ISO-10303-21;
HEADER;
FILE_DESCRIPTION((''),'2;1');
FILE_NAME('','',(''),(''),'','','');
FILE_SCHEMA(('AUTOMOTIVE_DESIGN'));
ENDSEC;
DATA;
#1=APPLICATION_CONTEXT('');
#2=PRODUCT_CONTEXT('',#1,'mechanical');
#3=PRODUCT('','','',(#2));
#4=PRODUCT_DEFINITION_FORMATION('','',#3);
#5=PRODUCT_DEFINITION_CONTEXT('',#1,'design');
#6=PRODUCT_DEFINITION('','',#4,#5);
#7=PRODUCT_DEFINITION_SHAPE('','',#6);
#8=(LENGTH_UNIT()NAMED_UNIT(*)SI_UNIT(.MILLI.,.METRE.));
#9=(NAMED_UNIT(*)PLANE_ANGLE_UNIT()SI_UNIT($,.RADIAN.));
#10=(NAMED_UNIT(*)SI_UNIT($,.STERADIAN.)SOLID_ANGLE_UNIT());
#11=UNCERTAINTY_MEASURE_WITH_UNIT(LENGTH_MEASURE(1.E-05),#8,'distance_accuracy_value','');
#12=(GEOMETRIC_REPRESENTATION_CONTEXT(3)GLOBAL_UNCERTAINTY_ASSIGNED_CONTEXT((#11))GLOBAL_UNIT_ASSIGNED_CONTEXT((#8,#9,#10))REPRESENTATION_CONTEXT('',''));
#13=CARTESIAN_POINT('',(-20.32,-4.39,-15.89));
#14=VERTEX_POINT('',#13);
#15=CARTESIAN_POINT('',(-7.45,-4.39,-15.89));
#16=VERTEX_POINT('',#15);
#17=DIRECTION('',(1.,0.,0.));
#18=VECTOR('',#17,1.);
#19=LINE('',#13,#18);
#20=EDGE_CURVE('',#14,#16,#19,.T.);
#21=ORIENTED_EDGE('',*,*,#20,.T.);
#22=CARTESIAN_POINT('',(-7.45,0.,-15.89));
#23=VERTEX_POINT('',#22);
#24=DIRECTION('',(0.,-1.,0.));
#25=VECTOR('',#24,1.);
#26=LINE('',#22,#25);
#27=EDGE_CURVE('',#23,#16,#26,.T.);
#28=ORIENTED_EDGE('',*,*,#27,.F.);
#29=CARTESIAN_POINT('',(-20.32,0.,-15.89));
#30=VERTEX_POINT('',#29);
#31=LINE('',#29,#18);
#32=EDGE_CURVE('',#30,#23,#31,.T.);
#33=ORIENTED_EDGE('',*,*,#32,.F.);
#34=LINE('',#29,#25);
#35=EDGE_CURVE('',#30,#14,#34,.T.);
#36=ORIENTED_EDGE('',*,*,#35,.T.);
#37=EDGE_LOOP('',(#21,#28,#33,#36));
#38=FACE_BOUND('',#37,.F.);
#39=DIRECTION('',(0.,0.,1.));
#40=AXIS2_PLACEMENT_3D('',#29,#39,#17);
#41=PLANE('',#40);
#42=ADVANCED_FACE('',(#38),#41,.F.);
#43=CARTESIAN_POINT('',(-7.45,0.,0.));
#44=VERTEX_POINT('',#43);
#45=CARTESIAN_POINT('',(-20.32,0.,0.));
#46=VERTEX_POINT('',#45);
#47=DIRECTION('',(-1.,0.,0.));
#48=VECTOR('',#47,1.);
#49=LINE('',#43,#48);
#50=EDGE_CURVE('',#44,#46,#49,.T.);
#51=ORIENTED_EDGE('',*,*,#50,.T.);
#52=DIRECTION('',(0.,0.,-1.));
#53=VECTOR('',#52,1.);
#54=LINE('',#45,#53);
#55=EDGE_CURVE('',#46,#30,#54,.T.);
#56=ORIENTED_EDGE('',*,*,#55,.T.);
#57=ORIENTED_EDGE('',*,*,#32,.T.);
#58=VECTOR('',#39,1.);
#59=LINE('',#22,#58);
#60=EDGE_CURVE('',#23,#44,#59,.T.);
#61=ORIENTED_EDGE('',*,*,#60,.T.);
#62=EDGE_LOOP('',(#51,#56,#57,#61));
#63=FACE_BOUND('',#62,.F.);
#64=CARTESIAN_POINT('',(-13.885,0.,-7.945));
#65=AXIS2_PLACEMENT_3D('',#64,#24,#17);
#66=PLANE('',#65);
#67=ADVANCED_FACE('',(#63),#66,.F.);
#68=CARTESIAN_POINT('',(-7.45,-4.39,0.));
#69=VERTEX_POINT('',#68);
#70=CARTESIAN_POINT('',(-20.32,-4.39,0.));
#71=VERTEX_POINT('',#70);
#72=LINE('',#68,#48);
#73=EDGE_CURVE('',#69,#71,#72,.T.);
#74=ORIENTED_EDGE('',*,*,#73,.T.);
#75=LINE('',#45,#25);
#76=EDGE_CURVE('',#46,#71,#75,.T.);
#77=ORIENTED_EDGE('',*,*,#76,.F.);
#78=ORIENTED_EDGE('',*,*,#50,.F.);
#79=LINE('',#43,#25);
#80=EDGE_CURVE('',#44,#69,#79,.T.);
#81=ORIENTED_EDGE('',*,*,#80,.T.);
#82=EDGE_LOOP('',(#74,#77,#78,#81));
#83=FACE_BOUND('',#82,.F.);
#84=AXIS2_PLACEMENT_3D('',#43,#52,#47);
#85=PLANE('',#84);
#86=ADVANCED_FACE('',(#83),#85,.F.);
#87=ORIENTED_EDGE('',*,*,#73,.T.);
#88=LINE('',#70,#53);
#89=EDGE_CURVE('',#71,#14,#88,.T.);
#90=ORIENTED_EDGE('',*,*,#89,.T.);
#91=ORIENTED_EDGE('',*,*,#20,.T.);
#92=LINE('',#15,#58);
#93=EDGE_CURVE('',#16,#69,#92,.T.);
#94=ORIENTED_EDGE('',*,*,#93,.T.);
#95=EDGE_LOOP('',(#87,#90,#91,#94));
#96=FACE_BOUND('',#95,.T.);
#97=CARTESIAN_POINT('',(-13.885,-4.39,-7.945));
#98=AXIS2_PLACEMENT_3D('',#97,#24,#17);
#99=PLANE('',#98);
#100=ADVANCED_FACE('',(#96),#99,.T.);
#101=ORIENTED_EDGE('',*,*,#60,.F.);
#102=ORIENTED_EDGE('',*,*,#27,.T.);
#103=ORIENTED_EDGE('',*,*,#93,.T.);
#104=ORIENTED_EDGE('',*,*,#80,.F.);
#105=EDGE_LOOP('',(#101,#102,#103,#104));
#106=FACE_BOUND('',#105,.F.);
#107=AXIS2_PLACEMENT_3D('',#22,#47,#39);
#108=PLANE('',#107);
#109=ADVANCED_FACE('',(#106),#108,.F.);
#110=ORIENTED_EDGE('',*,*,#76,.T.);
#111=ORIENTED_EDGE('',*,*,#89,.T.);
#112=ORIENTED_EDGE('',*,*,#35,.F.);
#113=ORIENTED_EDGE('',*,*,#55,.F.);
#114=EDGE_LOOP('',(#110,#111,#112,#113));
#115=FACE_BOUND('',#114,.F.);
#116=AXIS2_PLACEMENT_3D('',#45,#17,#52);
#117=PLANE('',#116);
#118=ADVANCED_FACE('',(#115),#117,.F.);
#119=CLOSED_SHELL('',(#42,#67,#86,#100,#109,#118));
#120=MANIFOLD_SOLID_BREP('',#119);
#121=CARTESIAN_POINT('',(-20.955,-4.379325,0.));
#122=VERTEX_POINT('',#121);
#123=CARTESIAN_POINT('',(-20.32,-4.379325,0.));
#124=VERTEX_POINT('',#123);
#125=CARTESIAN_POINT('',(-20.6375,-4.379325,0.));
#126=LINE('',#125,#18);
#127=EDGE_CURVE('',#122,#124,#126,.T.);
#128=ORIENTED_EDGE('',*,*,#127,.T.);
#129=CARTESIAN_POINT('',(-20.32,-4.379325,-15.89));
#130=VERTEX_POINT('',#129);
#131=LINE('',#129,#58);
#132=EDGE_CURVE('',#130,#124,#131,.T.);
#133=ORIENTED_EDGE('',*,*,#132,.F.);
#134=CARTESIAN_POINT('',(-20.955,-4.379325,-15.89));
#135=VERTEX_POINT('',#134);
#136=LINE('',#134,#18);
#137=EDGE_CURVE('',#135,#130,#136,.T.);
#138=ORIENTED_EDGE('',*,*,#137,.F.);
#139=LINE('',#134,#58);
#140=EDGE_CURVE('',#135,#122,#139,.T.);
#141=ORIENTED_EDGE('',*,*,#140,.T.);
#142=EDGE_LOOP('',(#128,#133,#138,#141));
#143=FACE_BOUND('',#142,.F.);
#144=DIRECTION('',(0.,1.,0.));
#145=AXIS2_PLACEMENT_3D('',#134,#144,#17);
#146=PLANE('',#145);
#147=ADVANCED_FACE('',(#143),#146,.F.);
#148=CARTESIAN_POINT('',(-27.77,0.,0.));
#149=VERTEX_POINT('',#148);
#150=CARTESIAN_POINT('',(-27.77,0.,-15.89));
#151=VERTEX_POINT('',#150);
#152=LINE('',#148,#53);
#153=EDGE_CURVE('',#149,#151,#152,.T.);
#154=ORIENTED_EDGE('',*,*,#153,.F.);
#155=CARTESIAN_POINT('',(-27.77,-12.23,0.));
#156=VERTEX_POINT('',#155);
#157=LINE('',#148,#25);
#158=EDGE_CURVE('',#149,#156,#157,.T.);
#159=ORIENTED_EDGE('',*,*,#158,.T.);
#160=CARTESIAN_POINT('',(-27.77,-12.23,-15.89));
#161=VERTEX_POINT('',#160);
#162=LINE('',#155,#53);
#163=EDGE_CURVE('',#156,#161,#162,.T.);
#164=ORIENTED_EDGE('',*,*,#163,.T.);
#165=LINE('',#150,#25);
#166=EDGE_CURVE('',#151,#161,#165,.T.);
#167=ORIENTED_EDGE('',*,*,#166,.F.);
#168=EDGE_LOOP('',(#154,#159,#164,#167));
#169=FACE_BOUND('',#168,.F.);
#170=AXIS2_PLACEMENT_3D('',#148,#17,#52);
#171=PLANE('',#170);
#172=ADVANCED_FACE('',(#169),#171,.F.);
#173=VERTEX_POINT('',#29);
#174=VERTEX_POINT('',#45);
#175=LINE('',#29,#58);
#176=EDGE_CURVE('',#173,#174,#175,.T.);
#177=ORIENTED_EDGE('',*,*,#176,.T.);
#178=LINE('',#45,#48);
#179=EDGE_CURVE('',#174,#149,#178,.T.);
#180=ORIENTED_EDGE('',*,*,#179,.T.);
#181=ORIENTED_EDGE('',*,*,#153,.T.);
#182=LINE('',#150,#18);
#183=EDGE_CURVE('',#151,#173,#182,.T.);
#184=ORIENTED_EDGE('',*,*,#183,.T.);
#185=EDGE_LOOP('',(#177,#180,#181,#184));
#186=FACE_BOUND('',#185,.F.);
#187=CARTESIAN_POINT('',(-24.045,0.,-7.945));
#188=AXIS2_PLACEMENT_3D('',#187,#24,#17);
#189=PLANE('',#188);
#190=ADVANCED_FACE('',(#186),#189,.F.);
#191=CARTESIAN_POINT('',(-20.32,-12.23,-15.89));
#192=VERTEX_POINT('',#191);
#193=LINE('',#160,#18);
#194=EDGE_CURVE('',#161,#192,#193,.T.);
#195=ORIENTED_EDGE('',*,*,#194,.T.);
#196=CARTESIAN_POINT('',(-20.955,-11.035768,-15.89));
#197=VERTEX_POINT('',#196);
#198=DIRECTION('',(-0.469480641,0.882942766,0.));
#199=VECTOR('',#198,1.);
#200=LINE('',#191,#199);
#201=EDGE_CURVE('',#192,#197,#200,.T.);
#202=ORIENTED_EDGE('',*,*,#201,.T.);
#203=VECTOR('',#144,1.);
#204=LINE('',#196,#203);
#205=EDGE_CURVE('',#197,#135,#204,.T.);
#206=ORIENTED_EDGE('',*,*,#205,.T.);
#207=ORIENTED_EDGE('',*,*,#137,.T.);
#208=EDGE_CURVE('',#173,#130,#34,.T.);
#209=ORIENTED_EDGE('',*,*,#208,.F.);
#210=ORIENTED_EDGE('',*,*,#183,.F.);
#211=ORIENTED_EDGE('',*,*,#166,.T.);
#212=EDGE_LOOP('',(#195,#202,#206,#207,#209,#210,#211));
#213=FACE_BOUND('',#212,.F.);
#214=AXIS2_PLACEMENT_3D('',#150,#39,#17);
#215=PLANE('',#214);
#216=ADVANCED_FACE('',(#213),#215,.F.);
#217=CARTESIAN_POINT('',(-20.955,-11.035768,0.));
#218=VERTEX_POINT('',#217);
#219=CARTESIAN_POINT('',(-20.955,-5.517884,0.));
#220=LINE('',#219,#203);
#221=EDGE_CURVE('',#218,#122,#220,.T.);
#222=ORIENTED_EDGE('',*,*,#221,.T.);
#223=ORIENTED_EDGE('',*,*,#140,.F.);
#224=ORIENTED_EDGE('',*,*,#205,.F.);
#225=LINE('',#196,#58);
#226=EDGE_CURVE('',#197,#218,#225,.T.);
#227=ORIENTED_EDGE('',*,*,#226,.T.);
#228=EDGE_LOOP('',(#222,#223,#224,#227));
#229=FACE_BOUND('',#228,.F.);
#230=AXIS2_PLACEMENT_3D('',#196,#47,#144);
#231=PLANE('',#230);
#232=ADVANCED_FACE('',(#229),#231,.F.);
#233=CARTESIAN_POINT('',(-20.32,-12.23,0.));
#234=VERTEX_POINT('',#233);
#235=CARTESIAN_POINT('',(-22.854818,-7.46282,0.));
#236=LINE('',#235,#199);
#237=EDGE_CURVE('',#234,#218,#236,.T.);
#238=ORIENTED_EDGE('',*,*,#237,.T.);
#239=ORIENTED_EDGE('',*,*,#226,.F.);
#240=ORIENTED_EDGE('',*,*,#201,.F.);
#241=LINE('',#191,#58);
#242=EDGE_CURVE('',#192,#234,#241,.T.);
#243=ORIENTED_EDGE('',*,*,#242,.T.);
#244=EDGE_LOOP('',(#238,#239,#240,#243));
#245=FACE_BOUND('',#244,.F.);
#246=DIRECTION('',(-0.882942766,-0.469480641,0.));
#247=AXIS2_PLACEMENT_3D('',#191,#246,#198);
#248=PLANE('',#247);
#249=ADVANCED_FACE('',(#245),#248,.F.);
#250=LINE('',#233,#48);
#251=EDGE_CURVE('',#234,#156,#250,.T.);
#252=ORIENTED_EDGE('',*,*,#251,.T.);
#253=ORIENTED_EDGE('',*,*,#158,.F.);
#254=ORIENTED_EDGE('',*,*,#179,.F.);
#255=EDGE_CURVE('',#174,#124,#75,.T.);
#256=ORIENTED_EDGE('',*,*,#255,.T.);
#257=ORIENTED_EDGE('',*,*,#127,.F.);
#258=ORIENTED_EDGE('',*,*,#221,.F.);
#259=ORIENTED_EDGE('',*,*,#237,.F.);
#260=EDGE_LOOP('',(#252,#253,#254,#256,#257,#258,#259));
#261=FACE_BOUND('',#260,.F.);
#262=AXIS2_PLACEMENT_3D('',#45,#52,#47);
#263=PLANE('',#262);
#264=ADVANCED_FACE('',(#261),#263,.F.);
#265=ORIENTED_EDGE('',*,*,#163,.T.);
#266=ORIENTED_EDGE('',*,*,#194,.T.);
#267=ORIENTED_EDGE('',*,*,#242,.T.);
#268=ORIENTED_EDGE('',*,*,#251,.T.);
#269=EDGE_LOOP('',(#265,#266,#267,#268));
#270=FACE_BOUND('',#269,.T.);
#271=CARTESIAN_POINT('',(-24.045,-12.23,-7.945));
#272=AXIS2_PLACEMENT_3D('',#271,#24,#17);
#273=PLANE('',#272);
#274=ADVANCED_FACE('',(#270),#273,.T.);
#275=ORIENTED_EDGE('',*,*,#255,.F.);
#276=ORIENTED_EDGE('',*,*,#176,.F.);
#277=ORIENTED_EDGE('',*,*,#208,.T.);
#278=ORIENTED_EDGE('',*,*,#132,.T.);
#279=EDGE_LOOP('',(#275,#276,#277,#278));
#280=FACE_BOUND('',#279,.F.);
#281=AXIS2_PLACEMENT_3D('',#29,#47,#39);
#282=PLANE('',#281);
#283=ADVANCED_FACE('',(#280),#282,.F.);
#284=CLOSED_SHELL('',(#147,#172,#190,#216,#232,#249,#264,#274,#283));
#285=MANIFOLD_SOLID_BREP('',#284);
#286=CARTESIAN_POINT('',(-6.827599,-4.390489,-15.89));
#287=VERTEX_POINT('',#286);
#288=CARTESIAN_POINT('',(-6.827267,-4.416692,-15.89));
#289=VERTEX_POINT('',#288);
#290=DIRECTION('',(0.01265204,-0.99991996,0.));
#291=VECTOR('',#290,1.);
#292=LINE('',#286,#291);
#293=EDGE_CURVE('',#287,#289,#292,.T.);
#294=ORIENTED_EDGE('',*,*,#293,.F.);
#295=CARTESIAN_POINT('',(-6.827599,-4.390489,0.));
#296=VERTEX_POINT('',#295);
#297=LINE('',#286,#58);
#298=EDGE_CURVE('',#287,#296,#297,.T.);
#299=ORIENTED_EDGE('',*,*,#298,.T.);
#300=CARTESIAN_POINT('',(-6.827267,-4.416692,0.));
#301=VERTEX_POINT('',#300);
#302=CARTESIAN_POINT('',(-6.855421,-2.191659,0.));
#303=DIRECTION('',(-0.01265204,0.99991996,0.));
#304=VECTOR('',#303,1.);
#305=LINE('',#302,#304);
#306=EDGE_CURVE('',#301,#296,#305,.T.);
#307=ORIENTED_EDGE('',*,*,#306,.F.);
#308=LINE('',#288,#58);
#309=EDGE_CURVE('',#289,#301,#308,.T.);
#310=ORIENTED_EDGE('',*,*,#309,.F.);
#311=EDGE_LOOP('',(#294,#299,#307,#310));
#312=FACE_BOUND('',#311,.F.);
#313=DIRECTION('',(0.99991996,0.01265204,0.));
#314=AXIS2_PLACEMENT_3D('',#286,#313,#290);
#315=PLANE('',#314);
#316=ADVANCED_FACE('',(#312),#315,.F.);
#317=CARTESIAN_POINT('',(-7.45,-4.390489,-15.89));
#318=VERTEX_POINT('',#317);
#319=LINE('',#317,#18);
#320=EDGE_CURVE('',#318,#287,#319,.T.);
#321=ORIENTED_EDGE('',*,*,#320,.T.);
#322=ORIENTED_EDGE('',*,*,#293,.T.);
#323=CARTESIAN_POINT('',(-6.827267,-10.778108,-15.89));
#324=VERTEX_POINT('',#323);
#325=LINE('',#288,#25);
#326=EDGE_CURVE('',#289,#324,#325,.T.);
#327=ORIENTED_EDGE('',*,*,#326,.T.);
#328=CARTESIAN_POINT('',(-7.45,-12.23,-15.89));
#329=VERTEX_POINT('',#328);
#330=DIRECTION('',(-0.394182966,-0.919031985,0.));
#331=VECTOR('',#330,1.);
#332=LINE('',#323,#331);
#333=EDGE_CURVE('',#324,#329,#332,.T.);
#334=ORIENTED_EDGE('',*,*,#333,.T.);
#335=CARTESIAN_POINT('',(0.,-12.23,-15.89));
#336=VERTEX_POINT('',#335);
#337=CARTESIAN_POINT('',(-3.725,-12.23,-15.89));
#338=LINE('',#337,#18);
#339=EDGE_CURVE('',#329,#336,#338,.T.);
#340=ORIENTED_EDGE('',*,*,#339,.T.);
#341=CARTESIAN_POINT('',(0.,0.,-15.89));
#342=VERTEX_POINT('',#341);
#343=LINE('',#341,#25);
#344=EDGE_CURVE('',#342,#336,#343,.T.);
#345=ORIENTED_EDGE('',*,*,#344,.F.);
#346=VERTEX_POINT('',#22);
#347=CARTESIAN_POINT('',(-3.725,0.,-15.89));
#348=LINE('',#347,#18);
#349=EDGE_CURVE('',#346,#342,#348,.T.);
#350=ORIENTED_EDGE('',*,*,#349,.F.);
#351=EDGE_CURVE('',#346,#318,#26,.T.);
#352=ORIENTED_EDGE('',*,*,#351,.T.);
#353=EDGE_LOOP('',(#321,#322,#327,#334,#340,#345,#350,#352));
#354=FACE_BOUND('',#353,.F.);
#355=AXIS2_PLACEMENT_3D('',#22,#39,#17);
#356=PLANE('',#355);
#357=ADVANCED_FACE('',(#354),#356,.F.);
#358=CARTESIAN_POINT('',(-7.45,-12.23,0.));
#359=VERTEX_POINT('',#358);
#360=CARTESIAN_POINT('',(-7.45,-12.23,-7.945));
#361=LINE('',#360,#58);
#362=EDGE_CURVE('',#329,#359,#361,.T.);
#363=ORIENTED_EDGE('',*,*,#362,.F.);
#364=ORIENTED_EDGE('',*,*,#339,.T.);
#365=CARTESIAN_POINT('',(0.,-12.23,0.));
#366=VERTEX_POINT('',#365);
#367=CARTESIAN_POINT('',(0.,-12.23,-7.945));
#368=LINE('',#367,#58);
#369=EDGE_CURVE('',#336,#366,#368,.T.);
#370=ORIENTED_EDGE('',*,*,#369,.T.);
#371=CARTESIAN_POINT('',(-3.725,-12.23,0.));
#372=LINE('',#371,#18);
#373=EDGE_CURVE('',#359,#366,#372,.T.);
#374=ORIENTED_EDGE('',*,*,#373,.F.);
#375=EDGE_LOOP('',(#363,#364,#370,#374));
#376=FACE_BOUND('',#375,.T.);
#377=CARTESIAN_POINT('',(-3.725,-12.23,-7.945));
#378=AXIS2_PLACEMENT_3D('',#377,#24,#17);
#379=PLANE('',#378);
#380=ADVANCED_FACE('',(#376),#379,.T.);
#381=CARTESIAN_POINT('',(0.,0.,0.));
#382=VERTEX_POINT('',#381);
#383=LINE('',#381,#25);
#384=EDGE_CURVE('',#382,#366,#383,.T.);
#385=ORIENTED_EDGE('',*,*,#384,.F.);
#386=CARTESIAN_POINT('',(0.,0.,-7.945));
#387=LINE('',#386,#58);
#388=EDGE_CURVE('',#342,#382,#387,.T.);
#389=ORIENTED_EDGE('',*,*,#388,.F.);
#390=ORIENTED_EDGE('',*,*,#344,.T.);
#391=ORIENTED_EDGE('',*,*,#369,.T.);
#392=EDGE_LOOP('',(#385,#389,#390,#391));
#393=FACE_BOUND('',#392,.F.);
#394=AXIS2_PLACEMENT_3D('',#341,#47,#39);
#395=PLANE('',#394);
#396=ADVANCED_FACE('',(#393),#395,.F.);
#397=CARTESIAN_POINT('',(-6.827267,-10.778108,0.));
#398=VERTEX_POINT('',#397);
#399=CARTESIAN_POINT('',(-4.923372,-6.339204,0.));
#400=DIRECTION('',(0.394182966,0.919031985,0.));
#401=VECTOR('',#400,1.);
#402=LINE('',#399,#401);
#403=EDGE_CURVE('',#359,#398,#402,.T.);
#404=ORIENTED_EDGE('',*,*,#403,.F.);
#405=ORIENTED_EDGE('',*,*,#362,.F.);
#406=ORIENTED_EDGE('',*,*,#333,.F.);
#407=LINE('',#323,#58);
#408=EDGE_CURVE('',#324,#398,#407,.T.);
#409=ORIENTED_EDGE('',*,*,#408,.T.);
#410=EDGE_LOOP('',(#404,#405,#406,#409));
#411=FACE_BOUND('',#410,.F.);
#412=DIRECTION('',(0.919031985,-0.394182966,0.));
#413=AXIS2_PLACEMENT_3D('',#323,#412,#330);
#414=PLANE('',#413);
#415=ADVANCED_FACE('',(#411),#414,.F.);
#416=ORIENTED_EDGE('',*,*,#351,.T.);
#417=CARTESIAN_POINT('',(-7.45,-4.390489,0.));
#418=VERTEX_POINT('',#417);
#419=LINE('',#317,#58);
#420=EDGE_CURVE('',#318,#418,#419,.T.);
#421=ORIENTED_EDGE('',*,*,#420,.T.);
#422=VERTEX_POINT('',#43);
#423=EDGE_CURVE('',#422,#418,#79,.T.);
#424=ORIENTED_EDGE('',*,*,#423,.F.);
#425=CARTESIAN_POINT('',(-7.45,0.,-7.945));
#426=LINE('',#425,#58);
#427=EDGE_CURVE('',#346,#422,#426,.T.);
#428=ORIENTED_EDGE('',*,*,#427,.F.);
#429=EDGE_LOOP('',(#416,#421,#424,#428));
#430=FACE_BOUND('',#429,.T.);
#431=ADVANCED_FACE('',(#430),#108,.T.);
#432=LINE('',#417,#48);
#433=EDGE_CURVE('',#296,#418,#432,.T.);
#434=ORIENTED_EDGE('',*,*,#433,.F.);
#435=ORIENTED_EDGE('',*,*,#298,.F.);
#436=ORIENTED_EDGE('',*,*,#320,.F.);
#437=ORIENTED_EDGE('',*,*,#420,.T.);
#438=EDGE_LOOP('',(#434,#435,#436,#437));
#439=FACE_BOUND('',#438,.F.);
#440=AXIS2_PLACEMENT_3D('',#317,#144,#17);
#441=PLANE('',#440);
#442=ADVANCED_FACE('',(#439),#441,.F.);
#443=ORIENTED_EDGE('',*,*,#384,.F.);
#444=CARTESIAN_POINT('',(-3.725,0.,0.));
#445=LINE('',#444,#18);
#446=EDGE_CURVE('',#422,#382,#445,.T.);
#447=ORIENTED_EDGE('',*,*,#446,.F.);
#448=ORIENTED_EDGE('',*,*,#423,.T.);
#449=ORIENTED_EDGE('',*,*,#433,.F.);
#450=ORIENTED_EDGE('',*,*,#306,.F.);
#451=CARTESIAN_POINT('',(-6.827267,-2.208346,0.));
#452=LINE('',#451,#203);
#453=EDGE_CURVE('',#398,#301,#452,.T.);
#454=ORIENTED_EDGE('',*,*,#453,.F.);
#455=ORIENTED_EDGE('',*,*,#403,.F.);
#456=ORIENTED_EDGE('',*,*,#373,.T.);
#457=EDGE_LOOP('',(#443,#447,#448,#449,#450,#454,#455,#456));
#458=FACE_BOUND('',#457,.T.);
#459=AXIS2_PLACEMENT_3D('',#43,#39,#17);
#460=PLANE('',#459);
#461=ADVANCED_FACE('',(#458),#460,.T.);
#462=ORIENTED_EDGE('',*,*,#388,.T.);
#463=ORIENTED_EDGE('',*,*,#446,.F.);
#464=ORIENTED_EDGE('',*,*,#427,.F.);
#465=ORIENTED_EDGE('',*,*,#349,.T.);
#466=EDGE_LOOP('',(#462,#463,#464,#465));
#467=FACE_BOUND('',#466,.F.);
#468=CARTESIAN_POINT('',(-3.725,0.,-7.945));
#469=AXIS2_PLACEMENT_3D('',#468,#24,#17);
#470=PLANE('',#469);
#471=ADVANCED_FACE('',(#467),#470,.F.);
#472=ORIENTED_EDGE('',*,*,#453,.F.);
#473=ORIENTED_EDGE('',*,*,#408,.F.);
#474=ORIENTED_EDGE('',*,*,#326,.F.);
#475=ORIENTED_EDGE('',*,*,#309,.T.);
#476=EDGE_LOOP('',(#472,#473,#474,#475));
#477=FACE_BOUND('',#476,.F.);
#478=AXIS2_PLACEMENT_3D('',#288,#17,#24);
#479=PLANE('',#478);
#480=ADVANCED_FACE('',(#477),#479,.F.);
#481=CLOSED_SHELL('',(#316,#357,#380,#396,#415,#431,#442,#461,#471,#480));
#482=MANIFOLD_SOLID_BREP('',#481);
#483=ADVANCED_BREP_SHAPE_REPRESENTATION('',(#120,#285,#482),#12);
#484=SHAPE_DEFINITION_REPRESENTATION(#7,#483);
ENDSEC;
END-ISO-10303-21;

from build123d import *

# Parameters (mm, degrees)
F0_W     = 7.45
F0_H     = 15.89
F1_DEPTH = 12.23
F2_DEPTH = 4.39
F4_DEPTH = 25.4
F6_DEPTH = 25.4
F8_DEPTH = 15.891


with BuildPart() as f1:
    # F0 (on Front) → F1 (new body)
    with BuildSketch(Plane.XZ):
        with Locations((-3.725, -7.945)):
            Rectangle(F0_W, F0_H)
    extrude(amount=F1_DEPTH)

    # F3 (on face) → F4 (cut)
    with BuildSketch(Plane(origin=(0, 0, -15.89), x_dir=(1, 0, 0), z_dir=(0, 0, -1))):
        Polygon((-6.8272673525, 10.7781076804), (-7.45, 12.23), (-7.45, 4.4166920707), (-6.8272673525, 4.4166920707), align=None)
    extrude(amount=-F4_DEPTH, mode=Mode.SUBTRACT)

    # F7 (on face) → F8 (cut, through all)
    with BuildSketch(Plane(origin=(0, 0, -15.89), x_dir=(1, 0, 0), z_dir=(0, 0, -1))):
        Polygon((-6.8272673525, 4.4166920707), (-7.45, 4.4166920707), (-7.45, 4.3904888444), (-6.8275989033, 4.3904888444), align=None)
    extrude(amount=-F8_DEPTH, mode=Mode.SUBTRACT)


with BuildPart() as f1b:
    # F0 (on Front) → F1, piece 2 (new body)
    with BuildSketch(Plane.XZ):
        Polygon((-20.32, -11.7879714817), (-20.32, 0), (-27.77, 0), (-27.77, -15.89), (-20.32, -15.89), align=None)
    extrude(amount=F1_DEPTH)

    # F5 (on face) → F6 (cut)
    with BuildSketch(Plane(origin=(0, 0, -15.89), x_dir=(1, 0, 0), z_dir=(0, 0, -1))):
        Polygon((-20.955, 4.379324615), (-20.32, 4.379324615), (-20.32, 12.23), (-20.955, 11.0357683152), align=None)
    extrude(amount=-F6_DEPTH, mode=Mode.SUBTRACT)


with BuildPart() as f2:
    # F0 (on Front) → F2 (new body)
    with BuildSketch(Plane.XZ):
        Polygon((-7.45, -15.89), (-7.45, 0), (-20.32, 0), (-20.32, -11.7879714817), (-20.32, -15.89), align=None)
    extrude(amount=F2_DEPTH)


solid = Compound([f1.part, f1b.part, f2.part])
